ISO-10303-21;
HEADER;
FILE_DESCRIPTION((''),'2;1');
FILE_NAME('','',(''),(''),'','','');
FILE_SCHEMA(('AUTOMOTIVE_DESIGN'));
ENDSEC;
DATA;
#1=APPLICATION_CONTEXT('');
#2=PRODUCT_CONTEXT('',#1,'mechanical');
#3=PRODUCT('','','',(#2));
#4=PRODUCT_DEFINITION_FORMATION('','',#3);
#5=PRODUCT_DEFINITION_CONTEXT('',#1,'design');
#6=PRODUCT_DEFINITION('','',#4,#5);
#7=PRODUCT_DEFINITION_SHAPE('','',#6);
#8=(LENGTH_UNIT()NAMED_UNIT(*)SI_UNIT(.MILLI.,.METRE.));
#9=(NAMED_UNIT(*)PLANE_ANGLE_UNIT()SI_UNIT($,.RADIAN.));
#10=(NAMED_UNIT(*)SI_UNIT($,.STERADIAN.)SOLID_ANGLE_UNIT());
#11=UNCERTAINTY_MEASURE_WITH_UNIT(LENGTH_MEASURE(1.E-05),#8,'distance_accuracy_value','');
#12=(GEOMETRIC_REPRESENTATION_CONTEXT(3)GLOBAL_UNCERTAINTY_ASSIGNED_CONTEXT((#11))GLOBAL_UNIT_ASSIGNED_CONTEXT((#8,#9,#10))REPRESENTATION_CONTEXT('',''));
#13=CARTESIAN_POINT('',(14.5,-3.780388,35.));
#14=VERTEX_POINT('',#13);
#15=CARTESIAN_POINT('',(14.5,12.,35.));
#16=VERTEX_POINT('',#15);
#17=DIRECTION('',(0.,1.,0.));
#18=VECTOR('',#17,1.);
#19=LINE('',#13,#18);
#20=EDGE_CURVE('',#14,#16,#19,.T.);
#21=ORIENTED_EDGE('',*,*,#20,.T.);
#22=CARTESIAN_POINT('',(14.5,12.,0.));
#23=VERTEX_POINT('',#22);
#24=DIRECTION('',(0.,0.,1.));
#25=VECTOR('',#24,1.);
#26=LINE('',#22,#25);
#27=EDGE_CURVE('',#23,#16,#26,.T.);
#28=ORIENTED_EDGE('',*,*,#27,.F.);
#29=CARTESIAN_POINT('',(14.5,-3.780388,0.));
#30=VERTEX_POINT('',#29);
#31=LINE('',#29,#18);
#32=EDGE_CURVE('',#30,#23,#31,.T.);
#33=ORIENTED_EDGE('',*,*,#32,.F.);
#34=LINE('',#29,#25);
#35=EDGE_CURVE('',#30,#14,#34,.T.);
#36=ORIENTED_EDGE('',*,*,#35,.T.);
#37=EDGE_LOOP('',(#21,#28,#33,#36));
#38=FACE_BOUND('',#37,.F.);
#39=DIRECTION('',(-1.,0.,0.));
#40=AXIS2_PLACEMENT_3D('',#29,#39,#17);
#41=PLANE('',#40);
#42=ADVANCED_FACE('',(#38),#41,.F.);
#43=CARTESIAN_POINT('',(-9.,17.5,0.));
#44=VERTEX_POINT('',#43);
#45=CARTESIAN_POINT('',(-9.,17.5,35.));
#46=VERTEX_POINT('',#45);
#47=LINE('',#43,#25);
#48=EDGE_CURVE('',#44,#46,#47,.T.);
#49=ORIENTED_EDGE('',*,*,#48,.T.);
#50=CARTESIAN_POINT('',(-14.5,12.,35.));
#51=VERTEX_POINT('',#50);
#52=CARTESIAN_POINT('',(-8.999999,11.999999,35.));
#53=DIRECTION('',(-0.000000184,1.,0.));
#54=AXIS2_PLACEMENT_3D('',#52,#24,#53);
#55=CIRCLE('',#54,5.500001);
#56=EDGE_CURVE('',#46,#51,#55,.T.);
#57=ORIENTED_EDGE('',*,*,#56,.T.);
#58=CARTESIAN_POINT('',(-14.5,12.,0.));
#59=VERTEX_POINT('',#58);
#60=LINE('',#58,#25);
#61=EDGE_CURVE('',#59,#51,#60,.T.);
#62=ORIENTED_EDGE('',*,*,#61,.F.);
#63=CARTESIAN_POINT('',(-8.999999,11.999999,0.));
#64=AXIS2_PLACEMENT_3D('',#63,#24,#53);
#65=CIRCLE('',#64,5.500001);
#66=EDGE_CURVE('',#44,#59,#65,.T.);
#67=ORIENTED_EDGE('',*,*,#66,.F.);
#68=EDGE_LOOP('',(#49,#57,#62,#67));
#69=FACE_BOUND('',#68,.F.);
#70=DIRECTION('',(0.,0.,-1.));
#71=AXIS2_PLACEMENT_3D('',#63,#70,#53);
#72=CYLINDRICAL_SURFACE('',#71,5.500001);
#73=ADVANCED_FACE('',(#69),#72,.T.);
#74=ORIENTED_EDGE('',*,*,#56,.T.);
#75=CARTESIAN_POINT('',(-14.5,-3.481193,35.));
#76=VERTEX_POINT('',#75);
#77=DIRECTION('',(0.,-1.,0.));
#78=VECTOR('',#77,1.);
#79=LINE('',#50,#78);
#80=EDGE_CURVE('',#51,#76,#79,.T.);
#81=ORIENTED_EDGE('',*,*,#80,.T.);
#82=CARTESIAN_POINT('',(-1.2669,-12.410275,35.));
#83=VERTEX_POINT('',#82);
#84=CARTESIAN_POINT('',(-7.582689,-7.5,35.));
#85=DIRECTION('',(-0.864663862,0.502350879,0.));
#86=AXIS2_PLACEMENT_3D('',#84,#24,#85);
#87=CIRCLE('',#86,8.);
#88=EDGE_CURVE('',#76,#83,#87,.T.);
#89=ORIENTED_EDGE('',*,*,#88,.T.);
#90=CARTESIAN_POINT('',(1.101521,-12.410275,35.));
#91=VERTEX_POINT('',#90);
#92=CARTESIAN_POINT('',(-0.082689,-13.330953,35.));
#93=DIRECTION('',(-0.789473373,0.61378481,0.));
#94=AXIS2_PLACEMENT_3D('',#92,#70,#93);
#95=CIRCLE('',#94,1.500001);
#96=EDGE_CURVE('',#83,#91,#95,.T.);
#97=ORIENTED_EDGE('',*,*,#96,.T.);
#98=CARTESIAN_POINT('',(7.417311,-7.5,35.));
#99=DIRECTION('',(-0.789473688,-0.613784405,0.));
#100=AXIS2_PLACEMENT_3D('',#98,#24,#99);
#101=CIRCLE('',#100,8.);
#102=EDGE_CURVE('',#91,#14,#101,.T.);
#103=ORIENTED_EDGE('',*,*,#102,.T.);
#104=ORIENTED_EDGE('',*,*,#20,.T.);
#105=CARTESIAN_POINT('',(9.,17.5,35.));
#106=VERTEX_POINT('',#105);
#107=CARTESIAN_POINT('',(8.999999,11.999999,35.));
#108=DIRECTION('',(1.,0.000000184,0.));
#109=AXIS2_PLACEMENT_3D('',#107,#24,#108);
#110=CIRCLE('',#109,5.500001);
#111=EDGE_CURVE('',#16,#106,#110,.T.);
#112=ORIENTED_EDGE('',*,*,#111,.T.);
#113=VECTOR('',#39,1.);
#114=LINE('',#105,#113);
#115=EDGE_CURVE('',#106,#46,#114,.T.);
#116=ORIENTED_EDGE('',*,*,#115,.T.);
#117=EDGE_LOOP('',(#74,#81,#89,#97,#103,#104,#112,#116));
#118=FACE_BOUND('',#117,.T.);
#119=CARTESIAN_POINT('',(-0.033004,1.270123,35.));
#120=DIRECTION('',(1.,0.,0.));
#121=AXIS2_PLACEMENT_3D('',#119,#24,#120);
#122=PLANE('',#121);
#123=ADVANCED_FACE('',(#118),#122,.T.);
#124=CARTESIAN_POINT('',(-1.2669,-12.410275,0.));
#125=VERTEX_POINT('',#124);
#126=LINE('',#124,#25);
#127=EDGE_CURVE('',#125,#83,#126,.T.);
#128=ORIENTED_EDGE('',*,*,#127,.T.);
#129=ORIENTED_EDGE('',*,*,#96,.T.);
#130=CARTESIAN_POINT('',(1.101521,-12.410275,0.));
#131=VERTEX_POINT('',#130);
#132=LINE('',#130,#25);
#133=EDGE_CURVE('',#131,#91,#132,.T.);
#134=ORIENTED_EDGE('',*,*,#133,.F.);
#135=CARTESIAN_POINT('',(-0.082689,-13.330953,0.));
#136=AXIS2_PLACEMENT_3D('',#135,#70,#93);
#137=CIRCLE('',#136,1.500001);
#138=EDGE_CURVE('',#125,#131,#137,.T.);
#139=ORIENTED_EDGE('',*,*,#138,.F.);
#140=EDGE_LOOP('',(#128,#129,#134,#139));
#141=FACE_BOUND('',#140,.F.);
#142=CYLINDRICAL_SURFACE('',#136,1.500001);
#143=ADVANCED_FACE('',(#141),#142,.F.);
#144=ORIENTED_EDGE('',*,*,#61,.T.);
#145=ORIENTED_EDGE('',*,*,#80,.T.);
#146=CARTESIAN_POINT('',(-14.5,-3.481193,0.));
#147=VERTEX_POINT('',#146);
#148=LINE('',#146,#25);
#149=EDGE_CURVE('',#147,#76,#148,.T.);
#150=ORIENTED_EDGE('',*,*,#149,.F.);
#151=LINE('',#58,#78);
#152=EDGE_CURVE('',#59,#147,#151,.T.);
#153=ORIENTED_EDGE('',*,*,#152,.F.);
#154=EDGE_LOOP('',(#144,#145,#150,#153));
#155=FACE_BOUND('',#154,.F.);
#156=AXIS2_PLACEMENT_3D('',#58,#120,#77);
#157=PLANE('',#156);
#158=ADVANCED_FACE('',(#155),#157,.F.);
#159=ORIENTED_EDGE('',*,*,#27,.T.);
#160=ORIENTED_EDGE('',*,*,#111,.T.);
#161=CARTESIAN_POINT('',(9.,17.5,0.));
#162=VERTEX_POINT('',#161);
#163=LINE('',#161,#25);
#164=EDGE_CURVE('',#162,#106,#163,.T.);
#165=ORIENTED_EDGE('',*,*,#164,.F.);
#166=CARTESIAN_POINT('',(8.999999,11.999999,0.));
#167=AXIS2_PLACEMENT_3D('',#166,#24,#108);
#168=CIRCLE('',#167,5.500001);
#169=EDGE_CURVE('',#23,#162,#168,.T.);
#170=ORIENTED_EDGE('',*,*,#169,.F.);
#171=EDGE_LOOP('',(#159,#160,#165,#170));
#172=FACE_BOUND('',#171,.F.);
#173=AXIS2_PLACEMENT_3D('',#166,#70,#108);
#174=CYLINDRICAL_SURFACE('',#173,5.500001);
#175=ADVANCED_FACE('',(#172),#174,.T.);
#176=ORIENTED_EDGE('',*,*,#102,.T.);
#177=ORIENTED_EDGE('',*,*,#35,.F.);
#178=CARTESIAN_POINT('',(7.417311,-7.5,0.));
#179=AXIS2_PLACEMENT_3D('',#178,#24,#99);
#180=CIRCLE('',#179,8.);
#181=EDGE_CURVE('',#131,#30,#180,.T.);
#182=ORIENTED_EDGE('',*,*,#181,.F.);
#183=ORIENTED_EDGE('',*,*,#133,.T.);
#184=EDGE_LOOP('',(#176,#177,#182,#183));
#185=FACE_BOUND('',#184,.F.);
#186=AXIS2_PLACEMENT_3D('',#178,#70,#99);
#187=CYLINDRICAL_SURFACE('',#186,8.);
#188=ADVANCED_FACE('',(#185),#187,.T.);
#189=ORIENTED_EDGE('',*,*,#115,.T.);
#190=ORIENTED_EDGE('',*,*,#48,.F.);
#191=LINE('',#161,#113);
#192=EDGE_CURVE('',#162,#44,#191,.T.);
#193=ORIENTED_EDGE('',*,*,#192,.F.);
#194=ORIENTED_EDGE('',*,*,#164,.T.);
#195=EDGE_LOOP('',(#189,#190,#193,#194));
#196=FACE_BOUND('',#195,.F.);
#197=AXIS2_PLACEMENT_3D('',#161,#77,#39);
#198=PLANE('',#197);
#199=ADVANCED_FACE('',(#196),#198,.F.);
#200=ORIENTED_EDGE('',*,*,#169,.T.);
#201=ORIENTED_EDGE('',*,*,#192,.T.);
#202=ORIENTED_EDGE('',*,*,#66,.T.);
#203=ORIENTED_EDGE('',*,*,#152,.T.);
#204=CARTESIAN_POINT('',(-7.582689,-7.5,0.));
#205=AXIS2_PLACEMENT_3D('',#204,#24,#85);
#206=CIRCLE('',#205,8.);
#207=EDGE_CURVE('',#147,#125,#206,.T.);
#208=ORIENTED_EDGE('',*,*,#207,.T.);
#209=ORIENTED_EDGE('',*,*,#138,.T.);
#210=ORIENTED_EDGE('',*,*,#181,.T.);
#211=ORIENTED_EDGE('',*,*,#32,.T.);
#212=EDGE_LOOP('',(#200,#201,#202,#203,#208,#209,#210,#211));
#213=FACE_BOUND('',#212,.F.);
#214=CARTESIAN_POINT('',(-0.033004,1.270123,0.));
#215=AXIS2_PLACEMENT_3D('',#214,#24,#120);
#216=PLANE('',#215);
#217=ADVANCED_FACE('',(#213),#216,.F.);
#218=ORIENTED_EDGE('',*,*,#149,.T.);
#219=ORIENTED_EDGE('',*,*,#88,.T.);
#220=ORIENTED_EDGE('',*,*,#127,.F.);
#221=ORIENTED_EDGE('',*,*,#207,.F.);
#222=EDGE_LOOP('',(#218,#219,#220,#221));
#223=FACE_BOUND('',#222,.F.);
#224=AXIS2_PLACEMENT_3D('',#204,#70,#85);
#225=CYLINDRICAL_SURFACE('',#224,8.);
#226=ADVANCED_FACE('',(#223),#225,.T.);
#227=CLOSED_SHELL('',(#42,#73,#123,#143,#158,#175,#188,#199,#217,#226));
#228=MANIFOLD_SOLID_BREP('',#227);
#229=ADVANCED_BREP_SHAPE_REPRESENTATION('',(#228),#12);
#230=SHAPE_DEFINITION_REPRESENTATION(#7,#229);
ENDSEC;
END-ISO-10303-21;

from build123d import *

# Parameters (mm, degrees)
F1_DEPTH = 35


with BuildPart() as f1:
    # F0 (on Top) → F1 (new body)
    with BuildSketch(Plane.XY):
        with BuildLine():
            Line((9, 17.5), (-9, 17.5))
            ThreePointArc((-9, 17.5), (-12.889087, 15.889087), (-14.5, 12))
            Line((-14.5, 12), (-14.5, -3.481193))
            ThreePointArc((-14.5, -3.481193), (-12.057349, -14.131547), (-1.2669, -12.410275))
            ThreePointArc((-1.2669, -12.410275), (-0.082689, -11.830952), (1.101521, -12.410275))
            ThreePointArc((1.101521, -12.410275), (11.749259, -14.225639), (14.5, -3.780388))
            Line((14.5, -3.780388), (14.5, 12))
            ThreePointArc((14.5, 12), (12.889087, 15.889087), (9, 17.5))
        make_face()
    extrude(amount=F1_DEPTH)


solid = f1.part
